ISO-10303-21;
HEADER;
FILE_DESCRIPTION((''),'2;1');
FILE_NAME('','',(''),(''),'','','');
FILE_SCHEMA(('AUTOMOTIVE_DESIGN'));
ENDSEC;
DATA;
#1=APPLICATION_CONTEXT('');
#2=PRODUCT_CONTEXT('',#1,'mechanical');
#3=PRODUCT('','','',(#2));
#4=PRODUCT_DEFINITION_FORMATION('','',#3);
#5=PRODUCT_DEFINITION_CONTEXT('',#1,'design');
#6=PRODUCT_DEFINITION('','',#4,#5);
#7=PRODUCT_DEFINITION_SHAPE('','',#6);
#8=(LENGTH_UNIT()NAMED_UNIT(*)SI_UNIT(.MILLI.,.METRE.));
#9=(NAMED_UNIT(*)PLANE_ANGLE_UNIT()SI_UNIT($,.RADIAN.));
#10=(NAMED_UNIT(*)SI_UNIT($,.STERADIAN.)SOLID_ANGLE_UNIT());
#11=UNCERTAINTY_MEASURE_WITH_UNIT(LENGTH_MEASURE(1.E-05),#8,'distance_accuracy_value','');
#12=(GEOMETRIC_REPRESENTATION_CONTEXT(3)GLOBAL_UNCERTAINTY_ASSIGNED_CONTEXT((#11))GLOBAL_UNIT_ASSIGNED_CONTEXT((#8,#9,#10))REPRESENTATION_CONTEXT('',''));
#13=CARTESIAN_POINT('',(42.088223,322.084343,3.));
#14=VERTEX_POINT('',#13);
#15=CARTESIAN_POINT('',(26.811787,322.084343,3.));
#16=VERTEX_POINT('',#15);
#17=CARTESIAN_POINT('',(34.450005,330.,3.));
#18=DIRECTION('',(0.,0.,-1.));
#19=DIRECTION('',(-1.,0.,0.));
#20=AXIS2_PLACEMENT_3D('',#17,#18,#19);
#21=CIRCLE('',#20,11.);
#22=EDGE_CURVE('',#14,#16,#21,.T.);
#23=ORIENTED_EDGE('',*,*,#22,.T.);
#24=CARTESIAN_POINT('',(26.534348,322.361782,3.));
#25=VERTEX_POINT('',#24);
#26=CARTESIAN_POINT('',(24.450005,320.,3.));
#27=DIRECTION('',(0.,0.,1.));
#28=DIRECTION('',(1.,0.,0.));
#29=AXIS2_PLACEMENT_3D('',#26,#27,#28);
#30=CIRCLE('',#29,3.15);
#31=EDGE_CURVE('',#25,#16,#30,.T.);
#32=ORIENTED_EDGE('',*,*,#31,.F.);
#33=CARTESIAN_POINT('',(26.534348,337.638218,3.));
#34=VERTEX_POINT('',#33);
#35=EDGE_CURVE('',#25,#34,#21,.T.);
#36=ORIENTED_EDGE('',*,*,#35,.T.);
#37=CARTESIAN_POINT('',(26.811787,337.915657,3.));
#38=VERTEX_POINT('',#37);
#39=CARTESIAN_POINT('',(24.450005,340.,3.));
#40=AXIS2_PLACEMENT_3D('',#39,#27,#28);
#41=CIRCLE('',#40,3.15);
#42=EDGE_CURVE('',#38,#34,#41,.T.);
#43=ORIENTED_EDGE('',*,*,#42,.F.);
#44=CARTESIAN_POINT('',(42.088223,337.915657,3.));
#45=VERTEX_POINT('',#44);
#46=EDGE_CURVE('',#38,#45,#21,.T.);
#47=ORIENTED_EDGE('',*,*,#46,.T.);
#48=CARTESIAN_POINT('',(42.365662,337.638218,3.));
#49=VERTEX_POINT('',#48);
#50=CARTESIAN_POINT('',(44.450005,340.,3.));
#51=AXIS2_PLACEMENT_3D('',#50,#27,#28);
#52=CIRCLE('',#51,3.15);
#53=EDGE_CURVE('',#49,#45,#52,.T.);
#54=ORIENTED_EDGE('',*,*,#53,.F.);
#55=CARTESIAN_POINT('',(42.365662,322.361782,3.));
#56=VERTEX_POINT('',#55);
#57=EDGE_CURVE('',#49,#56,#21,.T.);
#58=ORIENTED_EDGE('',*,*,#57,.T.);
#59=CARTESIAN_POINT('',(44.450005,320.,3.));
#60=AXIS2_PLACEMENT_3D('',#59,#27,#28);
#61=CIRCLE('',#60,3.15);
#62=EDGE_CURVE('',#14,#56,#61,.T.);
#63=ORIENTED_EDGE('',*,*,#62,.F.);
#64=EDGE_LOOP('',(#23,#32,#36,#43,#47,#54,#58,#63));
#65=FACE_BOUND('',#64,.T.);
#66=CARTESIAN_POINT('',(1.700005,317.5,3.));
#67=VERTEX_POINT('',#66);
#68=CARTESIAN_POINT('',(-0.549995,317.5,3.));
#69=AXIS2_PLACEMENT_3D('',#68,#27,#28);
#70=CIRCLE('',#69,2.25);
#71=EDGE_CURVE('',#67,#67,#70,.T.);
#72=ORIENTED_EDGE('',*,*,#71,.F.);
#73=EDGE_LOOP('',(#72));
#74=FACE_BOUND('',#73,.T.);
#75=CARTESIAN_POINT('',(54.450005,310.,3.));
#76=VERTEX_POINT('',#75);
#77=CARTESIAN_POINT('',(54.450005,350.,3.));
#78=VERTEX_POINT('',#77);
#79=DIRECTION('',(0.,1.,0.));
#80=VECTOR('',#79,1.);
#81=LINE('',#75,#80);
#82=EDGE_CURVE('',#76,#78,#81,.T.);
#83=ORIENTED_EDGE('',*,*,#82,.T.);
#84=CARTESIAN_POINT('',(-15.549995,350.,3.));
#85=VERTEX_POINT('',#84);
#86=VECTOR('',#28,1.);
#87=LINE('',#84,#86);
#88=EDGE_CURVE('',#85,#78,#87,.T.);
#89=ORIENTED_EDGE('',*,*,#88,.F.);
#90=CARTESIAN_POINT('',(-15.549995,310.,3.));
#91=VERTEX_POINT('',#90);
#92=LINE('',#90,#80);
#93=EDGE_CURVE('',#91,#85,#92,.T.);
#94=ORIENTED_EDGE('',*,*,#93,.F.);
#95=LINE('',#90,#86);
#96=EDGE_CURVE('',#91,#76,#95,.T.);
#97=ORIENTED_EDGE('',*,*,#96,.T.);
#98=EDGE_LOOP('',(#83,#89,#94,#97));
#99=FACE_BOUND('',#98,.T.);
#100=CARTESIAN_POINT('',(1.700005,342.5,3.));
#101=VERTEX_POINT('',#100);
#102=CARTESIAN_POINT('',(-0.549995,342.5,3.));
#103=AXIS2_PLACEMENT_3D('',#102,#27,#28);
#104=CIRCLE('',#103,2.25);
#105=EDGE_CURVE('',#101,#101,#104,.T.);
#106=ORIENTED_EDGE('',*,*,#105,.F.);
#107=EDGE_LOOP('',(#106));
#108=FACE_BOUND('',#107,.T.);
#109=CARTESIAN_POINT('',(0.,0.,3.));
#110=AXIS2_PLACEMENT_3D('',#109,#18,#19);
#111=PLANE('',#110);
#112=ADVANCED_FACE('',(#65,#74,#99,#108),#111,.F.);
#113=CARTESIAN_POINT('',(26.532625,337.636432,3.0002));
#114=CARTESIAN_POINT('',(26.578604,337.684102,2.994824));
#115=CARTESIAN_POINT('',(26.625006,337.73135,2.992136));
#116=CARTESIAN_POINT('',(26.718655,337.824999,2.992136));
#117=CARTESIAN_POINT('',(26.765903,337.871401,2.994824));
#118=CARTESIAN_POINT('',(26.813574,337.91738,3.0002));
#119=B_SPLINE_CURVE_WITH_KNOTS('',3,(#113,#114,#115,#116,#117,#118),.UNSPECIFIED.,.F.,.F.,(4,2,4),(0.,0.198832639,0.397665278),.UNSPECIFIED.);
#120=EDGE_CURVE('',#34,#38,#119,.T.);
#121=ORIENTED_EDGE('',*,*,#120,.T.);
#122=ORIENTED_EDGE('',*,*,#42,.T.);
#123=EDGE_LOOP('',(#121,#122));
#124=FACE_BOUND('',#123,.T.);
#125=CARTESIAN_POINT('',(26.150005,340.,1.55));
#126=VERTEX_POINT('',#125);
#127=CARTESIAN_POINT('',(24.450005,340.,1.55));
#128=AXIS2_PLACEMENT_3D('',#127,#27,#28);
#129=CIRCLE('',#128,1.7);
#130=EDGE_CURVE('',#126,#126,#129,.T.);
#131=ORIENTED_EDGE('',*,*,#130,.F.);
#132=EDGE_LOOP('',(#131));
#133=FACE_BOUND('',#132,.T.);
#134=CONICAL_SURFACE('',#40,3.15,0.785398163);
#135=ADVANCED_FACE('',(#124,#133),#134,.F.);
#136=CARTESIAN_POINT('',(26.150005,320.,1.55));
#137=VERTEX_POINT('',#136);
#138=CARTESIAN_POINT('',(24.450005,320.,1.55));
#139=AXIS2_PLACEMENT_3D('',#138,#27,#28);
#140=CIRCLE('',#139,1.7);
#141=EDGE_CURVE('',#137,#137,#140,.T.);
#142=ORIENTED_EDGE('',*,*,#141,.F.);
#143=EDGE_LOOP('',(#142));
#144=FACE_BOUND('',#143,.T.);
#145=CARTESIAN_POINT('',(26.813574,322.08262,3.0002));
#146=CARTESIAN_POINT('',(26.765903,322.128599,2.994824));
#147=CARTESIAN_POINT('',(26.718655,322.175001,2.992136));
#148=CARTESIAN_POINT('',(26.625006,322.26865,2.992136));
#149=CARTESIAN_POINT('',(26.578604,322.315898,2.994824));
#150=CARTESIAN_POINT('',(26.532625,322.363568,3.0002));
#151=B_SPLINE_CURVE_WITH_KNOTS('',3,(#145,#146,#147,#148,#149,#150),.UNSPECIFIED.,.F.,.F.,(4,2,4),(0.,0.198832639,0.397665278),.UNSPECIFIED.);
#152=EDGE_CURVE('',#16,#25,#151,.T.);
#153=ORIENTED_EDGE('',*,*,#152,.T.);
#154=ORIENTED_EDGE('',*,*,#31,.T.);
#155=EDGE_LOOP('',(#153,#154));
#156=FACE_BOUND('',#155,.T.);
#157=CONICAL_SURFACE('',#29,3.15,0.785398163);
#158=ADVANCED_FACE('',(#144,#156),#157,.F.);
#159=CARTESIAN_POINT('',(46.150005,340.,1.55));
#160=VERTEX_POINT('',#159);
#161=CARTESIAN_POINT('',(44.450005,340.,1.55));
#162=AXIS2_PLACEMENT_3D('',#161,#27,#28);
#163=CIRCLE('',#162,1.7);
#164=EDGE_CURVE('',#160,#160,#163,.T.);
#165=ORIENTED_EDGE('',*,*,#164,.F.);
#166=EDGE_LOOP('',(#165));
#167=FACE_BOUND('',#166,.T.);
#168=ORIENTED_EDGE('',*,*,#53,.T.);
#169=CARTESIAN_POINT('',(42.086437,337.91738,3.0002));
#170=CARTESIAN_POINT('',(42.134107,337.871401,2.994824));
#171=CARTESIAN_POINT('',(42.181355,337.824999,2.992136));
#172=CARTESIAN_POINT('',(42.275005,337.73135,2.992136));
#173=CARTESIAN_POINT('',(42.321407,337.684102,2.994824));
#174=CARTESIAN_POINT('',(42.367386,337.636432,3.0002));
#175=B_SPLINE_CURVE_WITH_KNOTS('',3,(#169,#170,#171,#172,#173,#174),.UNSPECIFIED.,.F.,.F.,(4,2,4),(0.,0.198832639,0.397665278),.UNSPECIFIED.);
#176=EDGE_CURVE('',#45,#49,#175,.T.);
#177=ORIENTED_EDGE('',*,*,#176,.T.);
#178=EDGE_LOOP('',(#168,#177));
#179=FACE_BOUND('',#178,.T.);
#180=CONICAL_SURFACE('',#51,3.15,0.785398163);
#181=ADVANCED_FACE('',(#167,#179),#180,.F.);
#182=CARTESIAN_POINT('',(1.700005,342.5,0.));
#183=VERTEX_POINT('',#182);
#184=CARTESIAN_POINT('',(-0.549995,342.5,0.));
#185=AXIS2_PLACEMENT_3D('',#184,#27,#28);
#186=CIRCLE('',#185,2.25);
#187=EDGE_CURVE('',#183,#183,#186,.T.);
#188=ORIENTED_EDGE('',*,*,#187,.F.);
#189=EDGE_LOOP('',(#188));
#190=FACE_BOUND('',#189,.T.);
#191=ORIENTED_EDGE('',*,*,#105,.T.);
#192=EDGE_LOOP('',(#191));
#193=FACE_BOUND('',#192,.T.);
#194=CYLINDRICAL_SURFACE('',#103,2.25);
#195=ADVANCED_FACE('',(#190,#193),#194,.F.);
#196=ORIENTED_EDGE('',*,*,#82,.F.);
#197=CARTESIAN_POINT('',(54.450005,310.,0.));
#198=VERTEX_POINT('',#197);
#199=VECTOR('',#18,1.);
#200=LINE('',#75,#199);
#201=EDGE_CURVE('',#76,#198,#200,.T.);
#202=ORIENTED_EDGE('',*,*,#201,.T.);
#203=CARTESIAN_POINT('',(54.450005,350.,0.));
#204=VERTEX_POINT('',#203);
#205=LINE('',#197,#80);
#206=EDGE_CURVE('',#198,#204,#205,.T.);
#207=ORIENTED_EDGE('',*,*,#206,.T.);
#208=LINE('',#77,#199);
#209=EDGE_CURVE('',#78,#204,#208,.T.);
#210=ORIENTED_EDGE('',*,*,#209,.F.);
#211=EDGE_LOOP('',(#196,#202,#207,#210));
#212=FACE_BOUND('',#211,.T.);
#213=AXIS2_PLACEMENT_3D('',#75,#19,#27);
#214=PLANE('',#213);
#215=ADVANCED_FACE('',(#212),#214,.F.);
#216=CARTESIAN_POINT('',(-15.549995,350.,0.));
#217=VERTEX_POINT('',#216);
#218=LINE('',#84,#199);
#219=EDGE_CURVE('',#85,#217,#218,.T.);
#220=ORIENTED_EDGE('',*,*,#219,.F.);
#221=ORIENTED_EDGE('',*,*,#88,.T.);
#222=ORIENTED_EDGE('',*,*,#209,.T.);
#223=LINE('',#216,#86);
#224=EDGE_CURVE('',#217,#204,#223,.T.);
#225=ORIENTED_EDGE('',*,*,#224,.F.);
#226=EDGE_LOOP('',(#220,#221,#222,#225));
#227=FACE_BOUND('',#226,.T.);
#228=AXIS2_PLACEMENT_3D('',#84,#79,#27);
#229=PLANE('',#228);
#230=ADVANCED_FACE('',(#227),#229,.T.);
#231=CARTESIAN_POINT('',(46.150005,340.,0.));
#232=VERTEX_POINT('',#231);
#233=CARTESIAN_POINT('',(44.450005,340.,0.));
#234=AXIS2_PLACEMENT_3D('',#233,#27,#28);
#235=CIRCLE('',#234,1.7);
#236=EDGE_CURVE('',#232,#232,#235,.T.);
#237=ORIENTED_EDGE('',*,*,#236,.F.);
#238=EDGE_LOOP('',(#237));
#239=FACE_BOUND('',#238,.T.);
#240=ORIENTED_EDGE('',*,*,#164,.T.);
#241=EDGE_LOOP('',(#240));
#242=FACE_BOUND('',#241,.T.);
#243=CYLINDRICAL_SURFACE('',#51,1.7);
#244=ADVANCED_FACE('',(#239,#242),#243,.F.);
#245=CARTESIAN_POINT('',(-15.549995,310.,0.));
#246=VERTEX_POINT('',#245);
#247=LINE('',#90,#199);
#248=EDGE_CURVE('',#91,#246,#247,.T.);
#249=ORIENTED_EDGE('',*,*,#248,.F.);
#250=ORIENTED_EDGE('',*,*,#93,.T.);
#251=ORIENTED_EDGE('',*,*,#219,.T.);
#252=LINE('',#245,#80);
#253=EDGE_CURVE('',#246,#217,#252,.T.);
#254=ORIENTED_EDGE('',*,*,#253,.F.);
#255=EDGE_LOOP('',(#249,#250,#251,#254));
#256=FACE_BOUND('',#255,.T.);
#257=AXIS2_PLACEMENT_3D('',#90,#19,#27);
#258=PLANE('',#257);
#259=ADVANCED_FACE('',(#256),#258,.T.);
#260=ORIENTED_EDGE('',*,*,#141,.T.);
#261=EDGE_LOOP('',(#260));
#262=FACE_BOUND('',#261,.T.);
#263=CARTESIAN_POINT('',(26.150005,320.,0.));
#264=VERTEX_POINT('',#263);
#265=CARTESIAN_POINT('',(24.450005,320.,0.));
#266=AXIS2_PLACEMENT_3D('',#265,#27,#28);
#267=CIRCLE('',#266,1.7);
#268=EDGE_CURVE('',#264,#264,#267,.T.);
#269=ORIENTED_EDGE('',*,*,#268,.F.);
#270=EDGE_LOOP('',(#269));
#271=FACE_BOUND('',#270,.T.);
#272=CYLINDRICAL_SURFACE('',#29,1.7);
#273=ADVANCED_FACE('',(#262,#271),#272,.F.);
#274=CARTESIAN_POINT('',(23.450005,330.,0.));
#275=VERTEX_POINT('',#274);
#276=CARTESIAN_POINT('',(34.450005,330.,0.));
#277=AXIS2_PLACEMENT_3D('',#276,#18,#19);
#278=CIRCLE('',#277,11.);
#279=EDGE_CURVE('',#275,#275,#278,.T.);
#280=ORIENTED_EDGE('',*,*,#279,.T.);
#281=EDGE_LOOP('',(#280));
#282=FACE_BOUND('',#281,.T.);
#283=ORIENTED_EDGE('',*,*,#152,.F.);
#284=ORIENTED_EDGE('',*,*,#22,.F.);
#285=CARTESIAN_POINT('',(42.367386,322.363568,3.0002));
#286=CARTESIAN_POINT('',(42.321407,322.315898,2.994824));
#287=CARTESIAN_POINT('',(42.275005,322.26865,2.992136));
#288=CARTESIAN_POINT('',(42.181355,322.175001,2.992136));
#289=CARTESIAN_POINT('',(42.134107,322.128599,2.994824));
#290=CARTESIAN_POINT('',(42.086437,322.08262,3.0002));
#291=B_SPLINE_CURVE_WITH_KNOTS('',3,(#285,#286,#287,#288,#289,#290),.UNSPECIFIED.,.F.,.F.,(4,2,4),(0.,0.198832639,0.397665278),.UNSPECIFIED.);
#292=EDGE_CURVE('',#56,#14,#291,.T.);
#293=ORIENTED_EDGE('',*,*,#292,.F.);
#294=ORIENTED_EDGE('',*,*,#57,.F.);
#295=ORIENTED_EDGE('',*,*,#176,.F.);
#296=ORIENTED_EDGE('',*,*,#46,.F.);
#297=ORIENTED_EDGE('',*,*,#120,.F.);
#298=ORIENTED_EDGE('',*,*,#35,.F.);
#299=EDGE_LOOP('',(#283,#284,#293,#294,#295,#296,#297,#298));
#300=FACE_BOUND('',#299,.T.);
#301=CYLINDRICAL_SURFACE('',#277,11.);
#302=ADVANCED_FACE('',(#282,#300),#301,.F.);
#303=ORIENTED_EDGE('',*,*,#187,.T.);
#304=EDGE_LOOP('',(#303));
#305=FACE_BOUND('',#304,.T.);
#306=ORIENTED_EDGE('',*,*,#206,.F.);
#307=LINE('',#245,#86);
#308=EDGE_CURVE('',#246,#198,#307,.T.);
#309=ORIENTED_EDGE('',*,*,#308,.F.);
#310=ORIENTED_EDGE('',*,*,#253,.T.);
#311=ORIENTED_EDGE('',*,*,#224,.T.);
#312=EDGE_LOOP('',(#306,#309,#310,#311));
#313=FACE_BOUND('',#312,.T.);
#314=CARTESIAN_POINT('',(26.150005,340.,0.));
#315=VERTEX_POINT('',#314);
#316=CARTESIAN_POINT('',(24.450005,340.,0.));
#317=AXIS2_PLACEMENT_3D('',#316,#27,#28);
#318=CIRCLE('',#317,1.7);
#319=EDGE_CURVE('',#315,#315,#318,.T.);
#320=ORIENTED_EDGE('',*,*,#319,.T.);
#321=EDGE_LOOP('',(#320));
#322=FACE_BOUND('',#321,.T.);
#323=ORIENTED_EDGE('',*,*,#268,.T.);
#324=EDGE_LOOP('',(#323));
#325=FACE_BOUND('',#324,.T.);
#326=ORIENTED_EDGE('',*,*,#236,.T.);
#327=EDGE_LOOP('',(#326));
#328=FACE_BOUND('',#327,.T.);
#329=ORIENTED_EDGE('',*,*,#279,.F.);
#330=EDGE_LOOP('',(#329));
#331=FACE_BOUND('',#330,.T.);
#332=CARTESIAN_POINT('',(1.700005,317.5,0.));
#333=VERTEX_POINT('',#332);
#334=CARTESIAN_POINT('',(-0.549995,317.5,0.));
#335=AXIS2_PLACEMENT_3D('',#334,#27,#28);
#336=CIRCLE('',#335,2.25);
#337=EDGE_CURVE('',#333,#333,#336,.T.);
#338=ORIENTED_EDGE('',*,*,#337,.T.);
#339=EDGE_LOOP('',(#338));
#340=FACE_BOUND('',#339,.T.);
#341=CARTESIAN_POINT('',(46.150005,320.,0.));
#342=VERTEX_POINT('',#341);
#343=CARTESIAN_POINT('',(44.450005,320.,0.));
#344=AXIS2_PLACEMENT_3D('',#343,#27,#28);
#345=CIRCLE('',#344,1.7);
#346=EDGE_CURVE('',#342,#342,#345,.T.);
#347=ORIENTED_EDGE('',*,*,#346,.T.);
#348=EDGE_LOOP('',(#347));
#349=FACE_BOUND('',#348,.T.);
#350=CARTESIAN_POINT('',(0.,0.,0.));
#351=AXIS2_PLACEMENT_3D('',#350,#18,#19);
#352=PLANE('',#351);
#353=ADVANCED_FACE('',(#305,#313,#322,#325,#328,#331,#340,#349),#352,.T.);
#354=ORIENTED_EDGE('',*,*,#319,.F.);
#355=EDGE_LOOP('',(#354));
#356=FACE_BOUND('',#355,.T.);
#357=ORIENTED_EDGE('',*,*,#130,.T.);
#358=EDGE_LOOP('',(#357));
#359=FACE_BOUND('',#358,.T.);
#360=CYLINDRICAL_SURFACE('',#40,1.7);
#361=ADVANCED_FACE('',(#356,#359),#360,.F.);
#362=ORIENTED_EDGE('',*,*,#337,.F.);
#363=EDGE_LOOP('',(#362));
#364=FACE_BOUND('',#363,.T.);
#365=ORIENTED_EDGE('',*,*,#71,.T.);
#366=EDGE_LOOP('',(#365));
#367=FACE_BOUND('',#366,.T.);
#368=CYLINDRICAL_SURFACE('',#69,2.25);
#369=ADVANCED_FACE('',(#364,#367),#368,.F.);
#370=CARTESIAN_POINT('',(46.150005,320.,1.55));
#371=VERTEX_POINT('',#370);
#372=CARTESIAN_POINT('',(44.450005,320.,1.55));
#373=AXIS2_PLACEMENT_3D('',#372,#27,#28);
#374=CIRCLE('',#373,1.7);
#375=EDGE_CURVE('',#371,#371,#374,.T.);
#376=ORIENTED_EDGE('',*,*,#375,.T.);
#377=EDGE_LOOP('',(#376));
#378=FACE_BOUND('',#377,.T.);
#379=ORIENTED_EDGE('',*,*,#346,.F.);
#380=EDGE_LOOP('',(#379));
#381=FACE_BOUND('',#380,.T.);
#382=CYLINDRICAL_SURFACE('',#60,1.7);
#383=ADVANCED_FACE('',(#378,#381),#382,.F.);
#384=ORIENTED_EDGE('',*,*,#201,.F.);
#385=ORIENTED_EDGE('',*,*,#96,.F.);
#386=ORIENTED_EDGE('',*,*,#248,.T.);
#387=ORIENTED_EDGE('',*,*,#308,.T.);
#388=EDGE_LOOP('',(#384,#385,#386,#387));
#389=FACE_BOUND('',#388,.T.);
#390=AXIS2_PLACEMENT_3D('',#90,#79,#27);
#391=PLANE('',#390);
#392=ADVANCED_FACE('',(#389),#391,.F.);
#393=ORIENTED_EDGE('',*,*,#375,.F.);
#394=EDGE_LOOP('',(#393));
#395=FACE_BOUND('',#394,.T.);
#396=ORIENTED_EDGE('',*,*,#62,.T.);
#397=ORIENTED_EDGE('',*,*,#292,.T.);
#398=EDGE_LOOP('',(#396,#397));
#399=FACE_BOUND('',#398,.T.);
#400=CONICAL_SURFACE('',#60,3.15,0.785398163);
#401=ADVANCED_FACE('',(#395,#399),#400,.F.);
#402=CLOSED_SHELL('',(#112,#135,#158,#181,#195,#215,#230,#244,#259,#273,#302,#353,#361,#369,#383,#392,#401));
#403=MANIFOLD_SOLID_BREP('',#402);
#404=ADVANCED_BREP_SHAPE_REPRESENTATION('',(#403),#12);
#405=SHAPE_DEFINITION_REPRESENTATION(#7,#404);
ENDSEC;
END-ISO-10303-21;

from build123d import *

# Parameters (mm, degrees)
SKIZZE1_W                                    = 70
SKIZZE1_H                                    = 40
AUFSATZ_LINEAR_AUSTRAGEN1_DEPTH              = 3
FORMSENKUNG_F_R_M3_LINSENSENKSCHRAUB_2_COUNT = 2
FORMSENKUNG_F_R_M3_LINSENSENKSCHRAUB_2_PITCH = 20
FORMSENKUNG_F_R_M3_LINSENSENKSCHRAUB_3_COUNT = 2
FORMSENKUNG_F_R_M3_LINSENSENKSCHRAUB_3_PITCH = 28.284271247
FORMSENKUNG_F_R_M3_LINSENSENKSCHRAUB_4_COUNT = 2
FORMSENKUNG_F_R_M3_LINSENSENKSCHRAUB_4_PITCH = 20
DURCHGANGSLOCH_F_R_M41_D                     = 4.5
F_22_0_22_DURCHMESSER_BOHRUNG1_D             = 22


with BuildPart() as part:
    # Skizze1 → Aufsatz-Linear austragen1 (new body)
    with BuildSketch(Plane.XY):
        with Locations((19.450005134, 330)):
            Rectangle(SKIZZE1_W, SKIZZE1_H)
    extrude(amount=AUFSATZ_LINEAR_AUSTRAGEN1_DEPTH)

    # Skizze3 → Formsenkung für M3 Linsensenkschraube mit Schlitz6 (revolve, cut)
    with BuildSketch(Plane(origin=(24.450005134, 340, 3), x_dir=(0, -1, 0), z_dir=(1, 0, 0))):
        Polygon((0, 0), (0, 3), (1.7, 3), (1.7, 1.45), (3.15, 0), align=None)
    formsenkung_f_r_m3_linsensenkschraube_mi = revolve(axis=Axis((24.450005134, 340, 9.35), (0, 0, -1)), mode=Mode.SUBTRACT)

    # Formsenkung f_r M3 Linsensenkschraub 2: Formsenkung für M3 Linsensenkschraube mit Schlitz6 ×2
    with Locations(*[(i * FORMSENKUNG_F_R_M3_LINSENSENKSCHRAUB_2_PITCH, 0, 0) for i in range(1, FORMSENKUNG_F_R_M3_LINSENSENKSCHRAUB_2_COUNT)]):
        add(formsenkung_f_r_m3_linsensenkschraube_mi, mode=Mode.SUBTRACT)

    # Formsenkung f_r M3 Linsensenkschraub 3: Formsenkung für M3 Linsensenkschraube mit Schlitz6 ×2
    with Locations(*[Vector(0.7071067811865485, -0.7071067811865466, 0) * (i * FORMSENKUNG_F_R_M3_LINSENSENKSCHRAUB_3_PITCH) for i in range(1, FORMSENKUNG_F_R_M3_LINSENSENKSCHRAUB_3_COUNT)]):
        add(formsenkung_f_r_m3_linsensenkschraube_mi, mode=Mode.SUBTRACT)

    # Formsenkung f_r M3 Linsensenkschraub 4: Formsenkung für M3 Linsensenkschraube mit Schlitz6 ×2
    with Locations(*[(0, -i * FORMSENKUNG_F_R_M3_LINSENSENKSCHRAUB_4_PITCH, 0) for i in range(1, FORMSENKUNG_F_R_M3_LINSENSENKSCHRAUB_4_COUNT)]):
        add(formsenkung_f_r_m3_linsensenkschraube_mi, mode=Mode.SUBTRACT)

    # Durchgangsloch für M41 (through all)
    with Locations(Plane.XY.offset(3)):
        with Locations((-0.549994866, 342.5), (-0.549994866, 317.5)):
            Hole(DURCHGANGSLOCH_F_R_M41_D / 2)

    # Ø22.0 (22) Durchmesser Bohrung1 (through all)
    with Locations(Plane(origin=(0, 0, 0), x_dir=(-1, 0, 0), z_dir=(0, 0, -1))):
        with Locations((-34.450005134, 330)):
            Hole(F_22_0_22_DURCHMESSER_BOHRUNG1_D / 2)


solid = part.part
